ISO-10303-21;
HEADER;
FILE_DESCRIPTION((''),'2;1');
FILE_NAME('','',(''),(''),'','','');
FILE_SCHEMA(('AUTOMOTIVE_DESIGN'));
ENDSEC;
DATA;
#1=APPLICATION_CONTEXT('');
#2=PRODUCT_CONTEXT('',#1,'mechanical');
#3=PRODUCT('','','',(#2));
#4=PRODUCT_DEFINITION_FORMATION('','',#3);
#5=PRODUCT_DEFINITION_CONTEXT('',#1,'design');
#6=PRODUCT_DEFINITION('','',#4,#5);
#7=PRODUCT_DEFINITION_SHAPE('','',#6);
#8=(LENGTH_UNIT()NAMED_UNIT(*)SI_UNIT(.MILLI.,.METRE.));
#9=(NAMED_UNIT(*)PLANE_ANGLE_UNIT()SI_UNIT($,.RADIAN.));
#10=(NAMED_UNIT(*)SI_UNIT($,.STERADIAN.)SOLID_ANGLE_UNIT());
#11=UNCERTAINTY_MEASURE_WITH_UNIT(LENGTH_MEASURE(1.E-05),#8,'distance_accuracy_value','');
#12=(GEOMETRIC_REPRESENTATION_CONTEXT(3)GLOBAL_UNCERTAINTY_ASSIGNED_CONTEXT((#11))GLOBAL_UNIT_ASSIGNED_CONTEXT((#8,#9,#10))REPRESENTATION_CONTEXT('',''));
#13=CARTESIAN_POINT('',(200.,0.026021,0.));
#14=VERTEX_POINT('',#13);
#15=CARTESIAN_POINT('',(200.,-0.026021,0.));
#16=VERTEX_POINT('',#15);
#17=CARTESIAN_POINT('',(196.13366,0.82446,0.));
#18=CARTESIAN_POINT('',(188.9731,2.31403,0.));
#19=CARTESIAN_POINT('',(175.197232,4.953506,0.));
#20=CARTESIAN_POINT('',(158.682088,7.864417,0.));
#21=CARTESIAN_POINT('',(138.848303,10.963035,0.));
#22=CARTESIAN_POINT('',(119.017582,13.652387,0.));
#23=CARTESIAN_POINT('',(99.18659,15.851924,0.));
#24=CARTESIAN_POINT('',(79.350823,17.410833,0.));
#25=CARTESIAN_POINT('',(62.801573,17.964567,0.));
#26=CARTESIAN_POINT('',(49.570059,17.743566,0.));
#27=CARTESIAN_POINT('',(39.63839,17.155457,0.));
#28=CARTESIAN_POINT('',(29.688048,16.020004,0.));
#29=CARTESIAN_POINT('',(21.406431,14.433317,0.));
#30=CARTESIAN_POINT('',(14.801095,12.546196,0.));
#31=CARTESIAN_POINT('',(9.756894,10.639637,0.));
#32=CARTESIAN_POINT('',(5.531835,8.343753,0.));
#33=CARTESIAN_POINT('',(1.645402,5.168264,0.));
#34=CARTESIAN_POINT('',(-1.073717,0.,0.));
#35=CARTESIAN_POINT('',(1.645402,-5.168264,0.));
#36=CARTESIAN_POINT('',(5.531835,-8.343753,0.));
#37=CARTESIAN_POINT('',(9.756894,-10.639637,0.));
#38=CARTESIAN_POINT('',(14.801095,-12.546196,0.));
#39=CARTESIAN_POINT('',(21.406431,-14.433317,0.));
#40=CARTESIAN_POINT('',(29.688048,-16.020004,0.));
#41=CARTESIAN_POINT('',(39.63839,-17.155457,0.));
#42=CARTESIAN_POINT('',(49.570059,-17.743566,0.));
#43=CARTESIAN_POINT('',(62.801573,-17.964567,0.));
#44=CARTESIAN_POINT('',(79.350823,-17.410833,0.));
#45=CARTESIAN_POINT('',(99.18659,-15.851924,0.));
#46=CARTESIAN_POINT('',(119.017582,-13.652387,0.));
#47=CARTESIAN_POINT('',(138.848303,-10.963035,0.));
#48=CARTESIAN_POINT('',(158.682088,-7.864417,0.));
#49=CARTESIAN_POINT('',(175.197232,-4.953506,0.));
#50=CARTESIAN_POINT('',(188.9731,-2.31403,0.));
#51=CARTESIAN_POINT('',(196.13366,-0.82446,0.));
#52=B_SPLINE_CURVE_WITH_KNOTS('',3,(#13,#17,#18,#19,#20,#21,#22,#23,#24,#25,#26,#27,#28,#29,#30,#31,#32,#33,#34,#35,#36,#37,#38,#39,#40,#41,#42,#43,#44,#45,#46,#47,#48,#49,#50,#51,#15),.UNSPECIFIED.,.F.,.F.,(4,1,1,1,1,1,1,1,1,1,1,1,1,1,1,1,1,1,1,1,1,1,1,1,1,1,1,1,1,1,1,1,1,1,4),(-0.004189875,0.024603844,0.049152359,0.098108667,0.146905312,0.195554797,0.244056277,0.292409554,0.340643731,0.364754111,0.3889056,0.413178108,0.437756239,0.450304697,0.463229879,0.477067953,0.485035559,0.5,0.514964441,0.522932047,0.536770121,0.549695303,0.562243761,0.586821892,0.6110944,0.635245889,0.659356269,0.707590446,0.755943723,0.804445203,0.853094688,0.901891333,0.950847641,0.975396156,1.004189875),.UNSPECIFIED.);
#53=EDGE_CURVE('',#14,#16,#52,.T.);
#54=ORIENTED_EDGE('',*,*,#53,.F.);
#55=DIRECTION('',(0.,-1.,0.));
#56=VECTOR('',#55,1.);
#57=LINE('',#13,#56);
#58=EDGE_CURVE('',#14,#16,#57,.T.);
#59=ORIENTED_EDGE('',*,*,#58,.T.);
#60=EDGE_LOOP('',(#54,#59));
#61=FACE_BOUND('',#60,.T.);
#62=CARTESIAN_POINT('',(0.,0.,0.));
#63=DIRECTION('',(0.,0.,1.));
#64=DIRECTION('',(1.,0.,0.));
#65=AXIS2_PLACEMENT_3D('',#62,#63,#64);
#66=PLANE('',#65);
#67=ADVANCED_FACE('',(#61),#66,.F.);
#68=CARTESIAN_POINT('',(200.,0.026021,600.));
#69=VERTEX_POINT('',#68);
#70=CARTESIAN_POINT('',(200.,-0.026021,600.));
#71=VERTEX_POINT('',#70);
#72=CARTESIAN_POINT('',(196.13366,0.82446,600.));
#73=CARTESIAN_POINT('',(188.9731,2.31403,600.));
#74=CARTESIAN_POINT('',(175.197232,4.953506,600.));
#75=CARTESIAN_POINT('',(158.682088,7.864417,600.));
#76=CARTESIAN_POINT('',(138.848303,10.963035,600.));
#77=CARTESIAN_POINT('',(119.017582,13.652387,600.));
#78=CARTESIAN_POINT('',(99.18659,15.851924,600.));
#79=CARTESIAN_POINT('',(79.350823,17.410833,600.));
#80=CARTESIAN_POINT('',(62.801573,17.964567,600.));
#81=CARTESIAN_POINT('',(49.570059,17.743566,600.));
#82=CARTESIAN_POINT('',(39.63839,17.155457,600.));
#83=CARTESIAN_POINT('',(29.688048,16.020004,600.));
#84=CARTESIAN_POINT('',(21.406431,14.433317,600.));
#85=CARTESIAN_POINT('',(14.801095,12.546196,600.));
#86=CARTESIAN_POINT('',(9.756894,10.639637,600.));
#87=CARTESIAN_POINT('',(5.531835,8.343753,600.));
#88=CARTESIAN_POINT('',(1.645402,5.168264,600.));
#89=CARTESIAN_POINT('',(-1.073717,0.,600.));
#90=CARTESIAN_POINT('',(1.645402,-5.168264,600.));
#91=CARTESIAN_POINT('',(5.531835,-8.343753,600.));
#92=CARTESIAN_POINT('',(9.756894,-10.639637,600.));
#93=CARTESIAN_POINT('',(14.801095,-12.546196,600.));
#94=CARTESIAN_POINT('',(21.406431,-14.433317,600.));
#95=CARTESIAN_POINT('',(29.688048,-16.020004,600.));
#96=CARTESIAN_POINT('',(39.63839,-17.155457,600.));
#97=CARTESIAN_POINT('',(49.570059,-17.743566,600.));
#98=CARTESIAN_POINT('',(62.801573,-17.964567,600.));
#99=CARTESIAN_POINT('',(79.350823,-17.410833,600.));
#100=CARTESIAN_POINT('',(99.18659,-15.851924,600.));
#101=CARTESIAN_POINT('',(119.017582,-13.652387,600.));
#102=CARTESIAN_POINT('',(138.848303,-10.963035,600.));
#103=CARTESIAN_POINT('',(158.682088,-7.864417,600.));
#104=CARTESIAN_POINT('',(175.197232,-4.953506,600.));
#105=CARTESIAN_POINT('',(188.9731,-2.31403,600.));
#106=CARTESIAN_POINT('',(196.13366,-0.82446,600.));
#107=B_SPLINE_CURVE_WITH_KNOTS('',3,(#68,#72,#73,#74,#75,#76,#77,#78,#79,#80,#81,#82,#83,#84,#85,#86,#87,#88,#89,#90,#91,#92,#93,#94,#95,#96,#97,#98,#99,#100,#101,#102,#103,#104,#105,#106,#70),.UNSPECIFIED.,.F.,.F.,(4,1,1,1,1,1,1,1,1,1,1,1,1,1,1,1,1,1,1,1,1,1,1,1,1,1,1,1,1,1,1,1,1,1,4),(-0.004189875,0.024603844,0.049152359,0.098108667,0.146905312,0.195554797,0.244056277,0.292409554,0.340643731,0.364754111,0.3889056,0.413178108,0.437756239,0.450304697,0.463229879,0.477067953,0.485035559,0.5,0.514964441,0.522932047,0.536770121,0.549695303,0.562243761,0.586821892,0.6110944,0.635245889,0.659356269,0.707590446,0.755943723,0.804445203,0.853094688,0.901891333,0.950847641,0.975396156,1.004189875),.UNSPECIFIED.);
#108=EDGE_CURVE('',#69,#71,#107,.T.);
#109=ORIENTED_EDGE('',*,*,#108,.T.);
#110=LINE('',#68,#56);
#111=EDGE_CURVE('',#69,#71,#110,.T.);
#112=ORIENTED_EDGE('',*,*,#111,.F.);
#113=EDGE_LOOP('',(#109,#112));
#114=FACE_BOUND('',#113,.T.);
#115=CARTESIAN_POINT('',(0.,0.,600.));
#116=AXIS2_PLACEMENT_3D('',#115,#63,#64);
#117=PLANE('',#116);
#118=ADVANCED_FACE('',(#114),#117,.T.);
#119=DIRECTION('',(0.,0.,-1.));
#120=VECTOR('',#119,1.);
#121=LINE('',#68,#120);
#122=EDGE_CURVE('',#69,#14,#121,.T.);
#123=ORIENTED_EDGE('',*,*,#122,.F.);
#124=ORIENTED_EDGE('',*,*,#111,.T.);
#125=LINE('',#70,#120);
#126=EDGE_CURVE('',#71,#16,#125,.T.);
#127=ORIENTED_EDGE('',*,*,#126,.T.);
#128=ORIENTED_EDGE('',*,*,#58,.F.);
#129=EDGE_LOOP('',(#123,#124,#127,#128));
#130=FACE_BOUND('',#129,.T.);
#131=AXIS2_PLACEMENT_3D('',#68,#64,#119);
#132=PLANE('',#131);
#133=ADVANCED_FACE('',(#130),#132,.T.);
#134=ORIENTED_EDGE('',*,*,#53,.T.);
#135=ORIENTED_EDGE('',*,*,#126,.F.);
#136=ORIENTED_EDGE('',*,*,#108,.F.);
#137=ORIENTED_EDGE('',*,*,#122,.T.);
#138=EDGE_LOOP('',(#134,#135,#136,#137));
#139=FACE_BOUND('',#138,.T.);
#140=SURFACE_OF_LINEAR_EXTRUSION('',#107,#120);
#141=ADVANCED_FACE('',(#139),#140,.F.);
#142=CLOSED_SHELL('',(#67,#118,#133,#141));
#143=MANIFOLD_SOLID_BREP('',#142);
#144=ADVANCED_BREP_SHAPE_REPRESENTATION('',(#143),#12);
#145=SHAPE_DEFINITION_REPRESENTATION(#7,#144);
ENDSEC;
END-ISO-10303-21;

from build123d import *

# Parameters (mm, degrees)
BOSS_EXTRUDE1_DEPTH = 600


with BuildPart() as part:
    # Sketch2 → Boss-Extrude1 (new body)
    with BuildSketch(Plane.XY):
        with BuildLine():
            Line((200, 0.026021305), (200, -0.026021313))
            add(Edge.make_bspline(
                [(200, 0.026021305), (196.133660298, 0.824460007), (188.973100367, 2.314029776), (175.197231938, 4.95350612), (158.682087923, 7.864416996), (138.848303334, 10.963035098), (119.017582397, 13.652387002), (99.186590163, 15.851924276), (79.350823181, 17.41083287), (62.801573061, 17.964567123), (49.570059005, 17.74356646), (39.638389621, 17.155457266), (29.688048318, 16.020003739), (21.406431266, 14.43331701), (14.801094645, 12.546196453), (9.75689383, 10.639636938), (5.531834741, 8.343752603), (1.645401824, 5.168264306), (-1.073716587, 0), (1.645401824, -5.168264306), (5.53183474, -8.343752603), (9.756893829, -10.639636938), (14.801094645, -12.546196453), (21.406431266, -14.43331701), (29.688048318, -16.02000374), (39.63838962, -17.155457267), (49.570059005, -17.743566462), (62.801573061, -17.964567125), (79.350823181, -17.410832873), (99.186590162, -15.85192428), (119.017582396, -13.652387007), (138.848303334, -10.963035103), (158.682087923, -7.864417002), (175.197231937, -4.953506127), (188.973100367, -2.314029784), (196.133660298, -0.824460015), (200, -0.026021313)],
                knots=[-0.004189875, -0.004189875, -0.004189875, -0.004189875, 0.024603844, 0.049152359, 0.098108667, 0.146905312, 0.195554797, 0.244056277, 0.292409554, 0.340643731, 0.364754111, 0.3889056, 0.413178108, 0.437756239, 0.450304697, 0.463229879, 0.477067953, 0.485035559, 0.5, 0.514964441, 0.522932047, 0.536770121, 0.549695303, 0.562243761, 0.586821892, 0.6110944, 0.635245889, 0.659356269, 0.707590446, 0.755943723, 0.804445203, 0.853094688, 0.901891333, 0.950847641, 0.975396156, 1.004189875, 1.004189875, 1.004189875, 1.004189875], degree=3))
        make_face()
    extrude(amount=BOSS_EXTRUDE1_DEPTH)


solid = part.part
